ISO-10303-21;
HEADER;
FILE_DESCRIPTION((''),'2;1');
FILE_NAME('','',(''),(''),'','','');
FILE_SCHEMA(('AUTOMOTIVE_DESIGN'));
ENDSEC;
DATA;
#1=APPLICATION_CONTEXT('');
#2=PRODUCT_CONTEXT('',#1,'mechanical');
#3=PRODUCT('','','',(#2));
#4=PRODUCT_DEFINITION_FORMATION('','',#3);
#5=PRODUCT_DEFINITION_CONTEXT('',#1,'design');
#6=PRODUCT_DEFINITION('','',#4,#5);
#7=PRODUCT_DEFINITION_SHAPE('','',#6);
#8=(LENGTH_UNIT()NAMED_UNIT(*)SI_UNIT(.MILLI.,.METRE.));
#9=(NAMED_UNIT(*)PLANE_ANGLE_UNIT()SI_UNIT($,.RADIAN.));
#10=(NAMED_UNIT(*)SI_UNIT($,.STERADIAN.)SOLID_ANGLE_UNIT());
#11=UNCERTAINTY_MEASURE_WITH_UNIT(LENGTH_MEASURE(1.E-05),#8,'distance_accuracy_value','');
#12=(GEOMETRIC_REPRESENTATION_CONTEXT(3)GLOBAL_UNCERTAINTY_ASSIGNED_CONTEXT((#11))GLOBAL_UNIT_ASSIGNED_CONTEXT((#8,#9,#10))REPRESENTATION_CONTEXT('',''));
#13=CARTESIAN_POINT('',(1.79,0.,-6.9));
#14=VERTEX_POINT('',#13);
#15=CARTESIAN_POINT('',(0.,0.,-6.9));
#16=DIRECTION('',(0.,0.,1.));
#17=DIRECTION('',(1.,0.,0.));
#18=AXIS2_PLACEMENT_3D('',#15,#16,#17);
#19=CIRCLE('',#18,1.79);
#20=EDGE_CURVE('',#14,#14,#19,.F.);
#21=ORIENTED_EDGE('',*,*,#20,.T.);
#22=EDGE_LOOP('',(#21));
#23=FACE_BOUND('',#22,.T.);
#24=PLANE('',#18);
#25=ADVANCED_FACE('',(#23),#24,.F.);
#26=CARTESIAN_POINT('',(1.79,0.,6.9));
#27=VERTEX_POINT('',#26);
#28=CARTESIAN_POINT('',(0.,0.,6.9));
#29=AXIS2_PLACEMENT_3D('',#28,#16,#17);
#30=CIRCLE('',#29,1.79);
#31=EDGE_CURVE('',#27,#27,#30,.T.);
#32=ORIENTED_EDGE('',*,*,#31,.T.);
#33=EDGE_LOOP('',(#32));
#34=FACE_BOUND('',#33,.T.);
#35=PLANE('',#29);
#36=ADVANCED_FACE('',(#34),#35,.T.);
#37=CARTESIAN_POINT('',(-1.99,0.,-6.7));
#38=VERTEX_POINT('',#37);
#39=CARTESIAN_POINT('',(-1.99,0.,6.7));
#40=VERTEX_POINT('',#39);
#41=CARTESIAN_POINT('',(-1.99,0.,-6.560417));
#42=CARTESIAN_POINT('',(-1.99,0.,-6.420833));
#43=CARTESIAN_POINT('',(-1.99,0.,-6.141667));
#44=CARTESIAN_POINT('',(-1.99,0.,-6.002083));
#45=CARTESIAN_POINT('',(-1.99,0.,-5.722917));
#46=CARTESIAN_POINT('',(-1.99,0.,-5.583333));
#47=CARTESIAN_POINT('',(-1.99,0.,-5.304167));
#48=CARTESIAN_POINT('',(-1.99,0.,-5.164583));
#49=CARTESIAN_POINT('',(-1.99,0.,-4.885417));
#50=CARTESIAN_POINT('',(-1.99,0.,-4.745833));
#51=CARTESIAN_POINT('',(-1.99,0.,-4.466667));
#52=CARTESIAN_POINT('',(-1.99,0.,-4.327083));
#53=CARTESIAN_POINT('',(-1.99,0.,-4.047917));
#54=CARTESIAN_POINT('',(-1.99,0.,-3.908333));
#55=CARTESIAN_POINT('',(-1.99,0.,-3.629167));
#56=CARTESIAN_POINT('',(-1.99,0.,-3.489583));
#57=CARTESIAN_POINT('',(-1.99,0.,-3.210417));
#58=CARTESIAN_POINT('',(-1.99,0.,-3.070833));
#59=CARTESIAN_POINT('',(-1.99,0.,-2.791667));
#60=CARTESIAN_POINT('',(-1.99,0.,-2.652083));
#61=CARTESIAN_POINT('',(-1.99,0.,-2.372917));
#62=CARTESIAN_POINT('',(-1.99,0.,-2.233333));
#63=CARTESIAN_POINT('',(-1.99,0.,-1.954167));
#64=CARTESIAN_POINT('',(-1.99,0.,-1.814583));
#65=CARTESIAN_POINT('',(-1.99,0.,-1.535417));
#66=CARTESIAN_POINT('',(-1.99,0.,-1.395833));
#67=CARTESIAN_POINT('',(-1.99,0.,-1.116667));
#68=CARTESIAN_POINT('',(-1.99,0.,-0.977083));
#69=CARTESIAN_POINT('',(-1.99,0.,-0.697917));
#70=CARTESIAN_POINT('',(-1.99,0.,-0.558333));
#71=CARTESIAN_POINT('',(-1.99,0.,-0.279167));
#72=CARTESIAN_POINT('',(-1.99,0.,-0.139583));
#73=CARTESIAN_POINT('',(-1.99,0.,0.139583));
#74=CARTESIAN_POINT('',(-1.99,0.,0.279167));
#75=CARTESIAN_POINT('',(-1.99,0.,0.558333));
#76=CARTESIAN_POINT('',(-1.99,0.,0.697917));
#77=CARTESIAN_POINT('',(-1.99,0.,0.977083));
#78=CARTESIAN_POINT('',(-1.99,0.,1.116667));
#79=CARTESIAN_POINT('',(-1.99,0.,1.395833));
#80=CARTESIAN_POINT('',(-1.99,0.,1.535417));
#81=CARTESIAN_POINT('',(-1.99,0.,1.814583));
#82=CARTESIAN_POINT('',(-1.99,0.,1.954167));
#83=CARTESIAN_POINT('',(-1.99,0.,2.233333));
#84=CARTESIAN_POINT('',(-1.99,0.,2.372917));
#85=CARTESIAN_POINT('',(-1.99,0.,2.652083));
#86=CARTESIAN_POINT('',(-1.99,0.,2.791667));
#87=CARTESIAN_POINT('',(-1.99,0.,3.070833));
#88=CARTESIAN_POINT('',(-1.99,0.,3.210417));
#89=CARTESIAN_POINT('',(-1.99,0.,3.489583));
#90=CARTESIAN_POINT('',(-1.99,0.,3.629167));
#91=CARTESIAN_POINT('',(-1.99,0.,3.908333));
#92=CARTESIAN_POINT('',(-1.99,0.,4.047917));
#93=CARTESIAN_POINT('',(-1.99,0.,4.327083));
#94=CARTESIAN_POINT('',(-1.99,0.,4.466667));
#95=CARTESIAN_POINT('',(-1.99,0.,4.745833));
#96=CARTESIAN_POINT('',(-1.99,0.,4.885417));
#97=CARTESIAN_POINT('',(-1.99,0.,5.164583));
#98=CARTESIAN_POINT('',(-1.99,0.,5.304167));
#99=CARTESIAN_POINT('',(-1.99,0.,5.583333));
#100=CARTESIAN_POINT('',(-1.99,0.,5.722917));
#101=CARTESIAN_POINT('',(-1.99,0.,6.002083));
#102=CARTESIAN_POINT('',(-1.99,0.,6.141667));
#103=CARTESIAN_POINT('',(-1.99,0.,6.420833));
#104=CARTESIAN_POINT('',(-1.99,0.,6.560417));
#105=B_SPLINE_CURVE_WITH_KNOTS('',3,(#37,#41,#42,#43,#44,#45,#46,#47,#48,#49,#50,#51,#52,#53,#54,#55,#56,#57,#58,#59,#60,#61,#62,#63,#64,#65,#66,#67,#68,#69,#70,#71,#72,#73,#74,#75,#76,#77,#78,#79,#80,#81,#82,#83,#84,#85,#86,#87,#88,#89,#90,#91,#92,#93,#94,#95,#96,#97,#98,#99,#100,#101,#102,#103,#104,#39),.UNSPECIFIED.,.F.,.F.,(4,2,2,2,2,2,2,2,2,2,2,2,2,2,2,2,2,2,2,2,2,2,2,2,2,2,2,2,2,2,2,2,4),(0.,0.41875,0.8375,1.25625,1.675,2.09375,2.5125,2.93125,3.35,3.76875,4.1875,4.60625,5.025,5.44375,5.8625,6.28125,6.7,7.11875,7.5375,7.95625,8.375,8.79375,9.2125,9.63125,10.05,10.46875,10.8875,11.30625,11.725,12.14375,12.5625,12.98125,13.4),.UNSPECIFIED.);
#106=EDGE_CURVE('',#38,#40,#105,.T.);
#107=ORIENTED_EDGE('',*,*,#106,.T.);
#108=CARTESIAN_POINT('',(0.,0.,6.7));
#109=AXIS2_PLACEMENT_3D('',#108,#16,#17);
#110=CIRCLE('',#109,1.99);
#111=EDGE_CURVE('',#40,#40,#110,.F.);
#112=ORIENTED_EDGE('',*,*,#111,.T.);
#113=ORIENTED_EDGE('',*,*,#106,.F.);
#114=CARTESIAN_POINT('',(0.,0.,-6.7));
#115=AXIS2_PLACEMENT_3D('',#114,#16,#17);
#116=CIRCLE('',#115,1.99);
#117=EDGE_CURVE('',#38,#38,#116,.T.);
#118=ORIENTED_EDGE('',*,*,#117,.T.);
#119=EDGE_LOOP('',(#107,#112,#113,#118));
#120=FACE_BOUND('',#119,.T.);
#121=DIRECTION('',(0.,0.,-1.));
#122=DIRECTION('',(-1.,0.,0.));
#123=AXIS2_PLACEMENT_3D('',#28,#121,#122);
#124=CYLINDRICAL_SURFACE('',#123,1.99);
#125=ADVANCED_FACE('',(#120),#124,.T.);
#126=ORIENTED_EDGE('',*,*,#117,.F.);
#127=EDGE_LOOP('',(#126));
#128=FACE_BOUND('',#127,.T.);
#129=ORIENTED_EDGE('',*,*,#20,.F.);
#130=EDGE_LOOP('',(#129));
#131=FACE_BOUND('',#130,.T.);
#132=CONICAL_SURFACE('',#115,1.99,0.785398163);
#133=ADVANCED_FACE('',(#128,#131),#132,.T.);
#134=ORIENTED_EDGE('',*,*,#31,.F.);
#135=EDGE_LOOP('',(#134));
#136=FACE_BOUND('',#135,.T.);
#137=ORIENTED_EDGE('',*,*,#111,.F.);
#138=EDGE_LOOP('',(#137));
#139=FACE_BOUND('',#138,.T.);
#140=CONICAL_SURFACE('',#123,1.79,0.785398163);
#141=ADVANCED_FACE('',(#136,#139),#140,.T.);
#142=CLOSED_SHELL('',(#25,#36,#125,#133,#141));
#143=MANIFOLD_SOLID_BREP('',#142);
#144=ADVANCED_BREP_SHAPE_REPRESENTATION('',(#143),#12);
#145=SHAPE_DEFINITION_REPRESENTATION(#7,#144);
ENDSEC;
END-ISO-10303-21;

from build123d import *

# Parameters (mm, degrees)
SKETCH_1_R      = 1.99
EXTRUDE_1_DEPTH = 6.9
CHAMFER_1_SIZE  = 0.2


with BuildPart() as part:
    # 스케치1 → 보스-돌출1 (new, symmetric)
    with BuildSketch(Plane.XY):
        with Locations(Location((0, 0, 0), (0, 0, 180))):
            Circle(SKETCH_1_R)
    extrude(amount=EXTRUDE_1_DEPTH, both=True)

    # 모따기1
    chamfer_1_edges = [part.edges().sort_by_distance(p)[0] for p in [
        (1.99, 0, -6.9),
        (1.99, 0, 6.9),
    ]]
    chamfer(chamfer_1_edges, length=CHAMFER_1_SIZE)


solid = part.part
